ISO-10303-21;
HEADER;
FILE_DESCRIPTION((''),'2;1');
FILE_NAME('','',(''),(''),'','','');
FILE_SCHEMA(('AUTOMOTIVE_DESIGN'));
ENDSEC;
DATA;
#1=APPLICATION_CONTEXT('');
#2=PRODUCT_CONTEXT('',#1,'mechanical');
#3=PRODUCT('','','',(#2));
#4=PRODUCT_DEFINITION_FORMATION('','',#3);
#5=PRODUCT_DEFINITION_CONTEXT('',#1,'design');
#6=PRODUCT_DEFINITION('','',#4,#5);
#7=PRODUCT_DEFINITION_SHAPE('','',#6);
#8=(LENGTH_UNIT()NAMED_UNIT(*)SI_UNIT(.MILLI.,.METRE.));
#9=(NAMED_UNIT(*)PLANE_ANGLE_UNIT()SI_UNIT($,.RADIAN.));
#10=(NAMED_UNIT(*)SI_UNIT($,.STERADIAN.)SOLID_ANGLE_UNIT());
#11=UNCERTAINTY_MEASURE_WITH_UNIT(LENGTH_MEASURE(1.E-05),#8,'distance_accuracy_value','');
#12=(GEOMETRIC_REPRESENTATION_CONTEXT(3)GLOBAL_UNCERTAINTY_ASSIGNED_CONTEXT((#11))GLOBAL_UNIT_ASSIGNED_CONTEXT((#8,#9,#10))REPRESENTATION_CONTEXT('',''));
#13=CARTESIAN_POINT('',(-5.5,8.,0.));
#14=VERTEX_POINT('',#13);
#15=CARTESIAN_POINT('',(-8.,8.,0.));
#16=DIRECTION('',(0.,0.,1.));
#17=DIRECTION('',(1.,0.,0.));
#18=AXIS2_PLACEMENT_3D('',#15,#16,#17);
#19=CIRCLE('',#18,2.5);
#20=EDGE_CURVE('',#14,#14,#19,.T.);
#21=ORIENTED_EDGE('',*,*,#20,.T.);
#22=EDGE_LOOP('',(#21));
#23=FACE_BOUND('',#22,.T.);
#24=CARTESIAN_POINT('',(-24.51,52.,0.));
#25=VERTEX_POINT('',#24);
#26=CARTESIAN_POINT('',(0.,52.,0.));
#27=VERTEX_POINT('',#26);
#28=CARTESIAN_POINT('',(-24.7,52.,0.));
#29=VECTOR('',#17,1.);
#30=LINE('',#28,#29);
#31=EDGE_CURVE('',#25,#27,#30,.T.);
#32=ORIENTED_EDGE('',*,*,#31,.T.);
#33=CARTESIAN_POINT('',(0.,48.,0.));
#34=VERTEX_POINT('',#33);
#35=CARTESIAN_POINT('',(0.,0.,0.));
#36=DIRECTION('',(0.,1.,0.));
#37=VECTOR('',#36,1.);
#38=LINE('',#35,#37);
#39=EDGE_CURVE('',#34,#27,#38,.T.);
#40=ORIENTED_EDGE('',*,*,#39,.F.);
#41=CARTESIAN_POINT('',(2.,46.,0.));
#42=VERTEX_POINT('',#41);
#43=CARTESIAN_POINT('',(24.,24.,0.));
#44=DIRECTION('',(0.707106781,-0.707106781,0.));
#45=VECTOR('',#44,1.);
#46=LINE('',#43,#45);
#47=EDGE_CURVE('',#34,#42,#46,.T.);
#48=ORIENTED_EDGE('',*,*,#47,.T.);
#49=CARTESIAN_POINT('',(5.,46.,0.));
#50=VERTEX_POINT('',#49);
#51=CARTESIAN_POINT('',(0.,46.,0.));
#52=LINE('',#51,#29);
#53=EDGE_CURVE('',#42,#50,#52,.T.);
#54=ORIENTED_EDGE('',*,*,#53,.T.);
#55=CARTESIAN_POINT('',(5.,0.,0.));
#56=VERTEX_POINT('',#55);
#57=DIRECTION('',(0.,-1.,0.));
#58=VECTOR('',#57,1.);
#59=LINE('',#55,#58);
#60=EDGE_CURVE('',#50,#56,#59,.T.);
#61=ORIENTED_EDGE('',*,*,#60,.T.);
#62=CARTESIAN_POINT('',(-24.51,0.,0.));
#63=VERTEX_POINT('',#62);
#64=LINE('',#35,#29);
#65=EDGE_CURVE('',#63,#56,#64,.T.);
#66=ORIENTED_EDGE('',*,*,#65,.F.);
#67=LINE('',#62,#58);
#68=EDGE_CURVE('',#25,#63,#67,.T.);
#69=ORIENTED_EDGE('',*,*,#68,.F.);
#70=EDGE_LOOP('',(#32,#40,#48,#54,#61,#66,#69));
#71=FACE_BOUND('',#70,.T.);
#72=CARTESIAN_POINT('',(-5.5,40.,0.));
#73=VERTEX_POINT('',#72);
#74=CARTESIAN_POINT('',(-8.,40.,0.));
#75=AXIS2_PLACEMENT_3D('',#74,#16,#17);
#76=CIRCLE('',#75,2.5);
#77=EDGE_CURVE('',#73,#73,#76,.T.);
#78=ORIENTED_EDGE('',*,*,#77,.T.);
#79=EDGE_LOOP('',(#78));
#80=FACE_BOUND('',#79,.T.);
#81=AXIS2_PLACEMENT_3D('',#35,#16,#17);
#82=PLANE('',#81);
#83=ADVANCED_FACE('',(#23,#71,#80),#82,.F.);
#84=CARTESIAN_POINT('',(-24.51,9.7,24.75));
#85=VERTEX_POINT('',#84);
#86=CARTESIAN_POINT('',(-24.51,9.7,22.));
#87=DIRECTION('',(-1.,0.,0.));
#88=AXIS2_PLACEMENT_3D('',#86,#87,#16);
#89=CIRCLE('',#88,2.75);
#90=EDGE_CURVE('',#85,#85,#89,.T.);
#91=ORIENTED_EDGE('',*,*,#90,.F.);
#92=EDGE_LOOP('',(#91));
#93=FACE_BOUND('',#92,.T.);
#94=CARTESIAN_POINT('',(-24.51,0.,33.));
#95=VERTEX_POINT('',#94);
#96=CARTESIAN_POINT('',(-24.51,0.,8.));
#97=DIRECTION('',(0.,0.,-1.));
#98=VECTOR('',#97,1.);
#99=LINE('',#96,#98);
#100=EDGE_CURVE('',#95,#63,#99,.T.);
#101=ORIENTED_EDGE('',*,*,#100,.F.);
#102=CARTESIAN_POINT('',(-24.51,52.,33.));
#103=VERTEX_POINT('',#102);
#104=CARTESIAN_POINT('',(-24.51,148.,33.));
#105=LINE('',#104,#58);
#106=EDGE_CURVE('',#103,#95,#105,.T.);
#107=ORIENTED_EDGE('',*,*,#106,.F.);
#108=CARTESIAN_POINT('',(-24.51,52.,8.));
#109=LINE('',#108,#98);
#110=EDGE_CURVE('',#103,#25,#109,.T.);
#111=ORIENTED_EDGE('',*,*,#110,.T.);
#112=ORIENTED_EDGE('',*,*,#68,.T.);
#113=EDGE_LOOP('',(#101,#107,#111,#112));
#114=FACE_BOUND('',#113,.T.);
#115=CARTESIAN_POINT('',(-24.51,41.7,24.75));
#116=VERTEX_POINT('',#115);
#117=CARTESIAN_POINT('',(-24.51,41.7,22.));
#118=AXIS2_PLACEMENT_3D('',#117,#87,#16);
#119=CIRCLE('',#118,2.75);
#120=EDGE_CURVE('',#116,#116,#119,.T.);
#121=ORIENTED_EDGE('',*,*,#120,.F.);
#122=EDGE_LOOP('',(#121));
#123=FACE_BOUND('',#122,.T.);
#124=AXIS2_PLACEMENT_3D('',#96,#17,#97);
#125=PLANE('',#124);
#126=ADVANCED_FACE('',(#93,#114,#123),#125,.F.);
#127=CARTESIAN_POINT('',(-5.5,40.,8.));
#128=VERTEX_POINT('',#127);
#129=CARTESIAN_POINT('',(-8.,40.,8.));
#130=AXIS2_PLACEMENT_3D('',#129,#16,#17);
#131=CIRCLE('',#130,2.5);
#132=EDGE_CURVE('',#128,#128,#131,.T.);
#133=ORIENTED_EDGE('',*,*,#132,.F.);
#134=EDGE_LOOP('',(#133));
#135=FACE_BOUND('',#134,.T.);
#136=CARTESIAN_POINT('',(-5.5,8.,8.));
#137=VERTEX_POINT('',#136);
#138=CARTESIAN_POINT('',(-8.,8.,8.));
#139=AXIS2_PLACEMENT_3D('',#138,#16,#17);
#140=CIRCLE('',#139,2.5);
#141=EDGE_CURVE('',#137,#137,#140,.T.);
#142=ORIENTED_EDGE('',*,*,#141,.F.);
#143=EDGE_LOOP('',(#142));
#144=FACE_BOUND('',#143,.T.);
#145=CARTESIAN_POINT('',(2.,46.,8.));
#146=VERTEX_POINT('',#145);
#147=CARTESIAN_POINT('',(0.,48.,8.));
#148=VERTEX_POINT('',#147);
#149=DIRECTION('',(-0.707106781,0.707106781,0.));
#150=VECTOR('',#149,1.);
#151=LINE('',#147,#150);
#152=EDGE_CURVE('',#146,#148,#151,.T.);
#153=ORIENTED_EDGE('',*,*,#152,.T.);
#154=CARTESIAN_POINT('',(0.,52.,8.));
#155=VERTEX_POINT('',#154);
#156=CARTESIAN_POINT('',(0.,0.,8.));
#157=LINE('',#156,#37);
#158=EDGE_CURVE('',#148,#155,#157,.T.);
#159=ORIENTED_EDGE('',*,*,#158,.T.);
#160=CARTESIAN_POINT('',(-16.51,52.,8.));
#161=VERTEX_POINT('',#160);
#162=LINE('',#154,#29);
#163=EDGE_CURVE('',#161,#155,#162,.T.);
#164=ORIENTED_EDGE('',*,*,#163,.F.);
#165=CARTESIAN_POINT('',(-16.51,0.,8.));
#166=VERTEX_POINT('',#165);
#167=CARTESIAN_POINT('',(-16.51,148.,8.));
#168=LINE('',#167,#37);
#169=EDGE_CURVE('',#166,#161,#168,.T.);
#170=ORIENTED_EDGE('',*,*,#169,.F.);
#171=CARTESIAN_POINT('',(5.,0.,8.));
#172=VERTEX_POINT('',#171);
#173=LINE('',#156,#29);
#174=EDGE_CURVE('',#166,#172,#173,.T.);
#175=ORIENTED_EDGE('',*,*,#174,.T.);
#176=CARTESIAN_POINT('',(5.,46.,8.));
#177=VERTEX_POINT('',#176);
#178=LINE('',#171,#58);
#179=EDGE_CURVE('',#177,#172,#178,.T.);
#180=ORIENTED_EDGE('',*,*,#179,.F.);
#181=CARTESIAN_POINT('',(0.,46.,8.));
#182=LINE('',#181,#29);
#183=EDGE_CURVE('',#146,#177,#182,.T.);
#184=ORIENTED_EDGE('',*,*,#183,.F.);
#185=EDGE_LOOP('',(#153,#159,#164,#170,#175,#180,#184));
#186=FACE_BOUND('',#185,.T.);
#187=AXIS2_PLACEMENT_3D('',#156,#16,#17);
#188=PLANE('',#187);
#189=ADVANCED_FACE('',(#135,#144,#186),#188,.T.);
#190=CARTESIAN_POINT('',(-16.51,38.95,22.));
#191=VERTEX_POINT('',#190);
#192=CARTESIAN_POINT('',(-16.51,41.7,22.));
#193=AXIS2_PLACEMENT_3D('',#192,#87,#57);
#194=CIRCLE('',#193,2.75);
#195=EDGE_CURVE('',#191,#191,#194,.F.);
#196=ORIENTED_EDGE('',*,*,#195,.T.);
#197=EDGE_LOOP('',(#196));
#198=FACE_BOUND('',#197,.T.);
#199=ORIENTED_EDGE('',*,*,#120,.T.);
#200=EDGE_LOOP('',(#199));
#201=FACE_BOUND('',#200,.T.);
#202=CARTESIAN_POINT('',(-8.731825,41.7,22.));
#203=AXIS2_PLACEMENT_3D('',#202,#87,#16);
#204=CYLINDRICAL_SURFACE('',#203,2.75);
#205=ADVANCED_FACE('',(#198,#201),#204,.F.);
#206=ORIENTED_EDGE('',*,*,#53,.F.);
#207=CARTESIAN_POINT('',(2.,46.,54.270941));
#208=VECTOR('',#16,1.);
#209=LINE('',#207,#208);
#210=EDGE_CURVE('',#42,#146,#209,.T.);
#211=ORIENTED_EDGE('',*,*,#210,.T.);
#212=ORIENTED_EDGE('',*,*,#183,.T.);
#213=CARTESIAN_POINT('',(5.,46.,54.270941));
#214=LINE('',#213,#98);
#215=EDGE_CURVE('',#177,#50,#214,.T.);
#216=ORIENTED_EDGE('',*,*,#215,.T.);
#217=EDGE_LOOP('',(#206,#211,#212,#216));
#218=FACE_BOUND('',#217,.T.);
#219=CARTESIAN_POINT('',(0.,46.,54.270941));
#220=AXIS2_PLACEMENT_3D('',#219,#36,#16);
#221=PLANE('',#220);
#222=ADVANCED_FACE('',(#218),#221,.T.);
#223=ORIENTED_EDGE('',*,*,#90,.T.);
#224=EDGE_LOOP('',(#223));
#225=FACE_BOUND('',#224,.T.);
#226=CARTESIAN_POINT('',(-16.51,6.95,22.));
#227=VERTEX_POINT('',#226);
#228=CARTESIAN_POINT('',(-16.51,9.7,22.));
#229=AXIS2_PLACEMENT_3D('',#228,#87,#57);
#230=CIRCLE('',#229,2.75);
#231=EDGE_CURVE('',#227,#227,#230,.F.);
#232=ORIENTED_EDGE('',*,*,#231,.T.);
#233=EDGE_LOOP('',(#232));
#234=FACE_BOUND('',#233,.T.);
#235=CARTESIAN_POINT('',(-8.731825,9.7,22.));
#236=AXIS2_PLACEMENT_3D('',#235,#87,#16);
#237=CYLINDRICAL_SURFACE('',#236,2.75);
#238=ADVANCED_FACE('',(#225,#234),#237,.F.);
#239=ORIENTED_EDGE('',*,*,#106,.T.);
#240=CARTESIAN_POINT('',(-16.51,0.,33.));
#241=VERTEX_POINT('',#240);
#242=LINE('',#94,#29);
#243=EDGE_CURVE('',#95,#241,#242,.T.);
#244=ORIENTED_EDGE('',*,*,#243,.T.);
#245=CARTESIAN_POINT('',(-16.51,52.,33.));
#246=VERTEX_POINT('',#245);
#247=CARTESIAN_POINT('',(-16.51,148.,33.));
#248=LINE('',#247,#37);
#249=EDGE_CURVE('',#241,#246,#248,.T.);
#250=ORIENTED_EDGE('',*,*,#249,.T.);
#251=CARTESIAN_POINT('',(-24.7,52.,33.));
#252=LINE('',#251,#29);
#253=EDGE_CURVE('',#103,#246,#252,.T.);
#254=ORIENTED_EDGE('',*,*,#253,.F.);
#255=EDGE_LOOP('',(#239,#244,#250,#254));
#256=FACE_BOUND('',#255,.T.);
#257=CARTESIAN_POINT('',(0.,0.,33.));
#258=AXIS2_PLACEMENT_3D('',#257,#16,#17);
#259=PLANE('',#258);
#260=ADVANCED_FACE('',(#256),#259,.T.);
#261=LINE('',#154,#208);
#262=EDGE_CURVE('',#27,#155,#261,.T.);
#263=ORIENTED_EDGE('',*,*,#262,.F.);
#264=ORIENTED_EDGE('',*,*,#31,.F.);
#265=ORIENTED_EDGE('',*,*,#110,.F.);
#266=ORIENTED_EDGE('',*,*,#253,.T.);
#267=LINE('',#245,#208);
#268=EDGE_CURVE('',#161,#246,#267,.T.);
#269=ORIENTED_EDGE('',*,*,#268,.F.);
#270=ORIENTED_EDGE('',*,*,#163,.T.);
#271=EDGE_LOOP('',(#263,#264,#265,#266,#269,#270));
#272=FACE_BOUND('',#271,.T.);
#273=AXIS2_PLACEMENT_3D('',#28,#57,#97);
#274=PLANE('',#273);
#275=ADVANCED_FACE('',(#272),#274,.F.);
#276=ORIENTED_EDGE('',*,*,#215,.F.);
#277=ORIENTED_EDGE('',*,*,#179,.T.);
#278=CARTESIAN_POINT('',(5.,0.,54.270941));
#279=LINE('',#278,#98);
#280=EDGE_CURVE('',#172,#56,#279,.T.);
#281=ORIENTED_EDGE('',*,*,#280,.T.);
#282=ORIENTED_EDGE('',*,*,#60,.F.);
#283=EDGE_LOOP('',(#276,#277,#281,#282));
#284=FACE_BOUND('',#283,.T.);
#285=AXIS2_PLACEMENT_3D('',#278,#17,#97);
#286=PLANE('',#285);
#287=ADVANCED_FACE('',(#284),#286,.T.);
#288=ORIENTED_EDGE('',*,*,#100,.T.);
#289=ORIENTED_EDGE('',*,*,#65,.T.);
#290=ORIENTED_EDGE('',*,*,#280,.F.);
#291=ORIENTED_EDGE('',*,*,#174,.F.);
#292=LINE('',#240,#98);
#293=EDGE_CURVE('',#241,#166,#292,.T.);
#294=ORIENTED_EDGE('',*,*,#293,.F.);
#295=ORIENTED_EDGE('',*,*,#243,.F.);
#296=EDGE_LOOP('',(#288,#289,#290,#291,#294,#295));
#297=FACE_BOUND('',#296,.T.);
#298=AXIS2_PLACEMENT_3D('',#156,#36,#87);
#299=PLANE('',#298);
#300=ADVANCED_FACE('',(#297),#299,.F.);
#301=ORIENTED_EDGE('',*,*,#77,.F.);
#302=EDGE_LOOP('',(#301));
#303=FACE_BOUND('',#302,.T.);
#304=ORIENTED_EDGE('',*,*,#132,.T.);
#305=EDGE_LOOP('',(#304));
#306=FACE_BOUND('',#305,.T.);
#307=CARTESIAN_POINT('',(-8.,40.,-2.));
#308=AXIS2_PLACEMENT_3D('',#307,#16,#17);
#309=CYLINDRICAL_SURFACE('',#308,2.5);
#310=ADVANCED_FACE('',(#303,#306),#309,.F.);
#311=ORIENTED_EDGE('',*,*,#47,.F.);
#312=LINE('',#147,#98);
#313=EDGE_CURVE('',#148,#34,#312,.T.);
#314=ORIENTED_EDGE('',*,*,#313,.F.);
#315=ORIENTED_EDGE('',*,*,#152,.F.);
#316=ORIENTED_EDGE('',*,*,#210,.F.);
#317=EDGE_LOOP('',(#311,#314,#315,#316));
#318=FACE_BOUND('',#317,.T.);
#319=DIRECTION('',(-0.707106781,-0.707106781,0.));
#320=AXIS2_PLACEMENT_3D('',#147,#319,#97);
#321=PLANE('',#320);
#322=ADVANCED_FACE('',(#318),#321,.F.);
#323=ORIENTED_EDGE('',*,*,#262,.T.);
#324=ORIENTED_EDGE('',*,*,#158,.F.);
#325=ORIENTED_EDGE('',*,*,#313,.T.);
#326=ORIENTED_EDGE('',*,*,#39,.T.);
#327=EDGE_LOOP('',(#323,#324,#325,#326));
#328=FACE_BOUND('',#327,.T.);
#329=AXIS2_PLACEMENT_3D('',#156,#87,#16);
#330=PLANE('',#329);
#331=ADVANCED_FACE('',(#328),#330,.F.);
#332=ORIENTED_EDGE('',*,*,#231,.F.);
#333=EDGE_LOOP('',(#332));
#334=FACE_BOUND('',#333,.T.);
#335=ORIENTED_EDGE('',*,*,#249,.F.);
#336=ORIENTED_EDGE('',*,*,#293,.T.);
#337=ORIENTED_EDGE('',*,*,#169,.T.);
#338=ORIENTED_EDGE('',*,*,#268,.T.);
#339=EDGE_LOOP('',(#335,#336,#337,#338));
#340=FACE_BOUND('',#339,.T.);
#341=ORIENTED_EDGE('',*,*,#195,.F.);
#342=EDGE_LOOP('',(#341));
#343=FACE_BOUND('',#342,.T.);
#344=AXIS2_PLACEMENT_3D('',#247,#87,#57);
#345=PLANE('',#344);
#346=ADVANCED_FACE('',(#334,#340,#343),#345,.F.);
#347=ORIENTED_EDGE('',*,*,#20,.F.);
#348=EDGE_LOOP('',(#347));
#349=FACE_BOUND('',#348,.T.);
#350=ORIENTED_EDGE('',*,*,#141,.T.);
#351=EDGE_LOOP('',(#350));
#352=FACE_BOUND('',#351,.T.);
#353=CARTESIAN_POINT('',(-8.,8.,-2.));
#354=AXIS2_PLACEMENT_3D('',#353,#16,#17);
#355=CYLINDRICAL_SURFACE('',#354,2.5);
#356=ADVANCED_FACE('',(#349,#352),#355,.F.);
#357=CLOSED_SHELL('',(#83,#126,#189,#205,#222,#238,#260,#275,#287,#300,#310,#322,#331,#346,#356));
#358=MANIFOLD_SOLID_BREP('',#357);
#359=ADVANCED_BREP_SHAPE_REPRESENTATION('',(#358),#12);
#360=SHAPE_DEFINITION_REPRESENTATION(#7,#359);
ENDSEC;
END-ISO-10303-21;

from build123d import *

# Parameters (mm, degrees)
SKETCH1_W               = 24.51
SKETCH1_H               = 148
BOSS_EXTRUDE1_DEPTH     = 8
SKETCH2_W               = 8
SKETCH2_H               = 148
BOSS_EXTRUDE2_DEPTH     = 25
SKETCH4_W               = 20.3
SKETCH4_H               = 36.8
BOSS_EXTRUDE3_DEPTH     = 8
SKETCH5_W               = 23
SKETCH5_H               = 6
BOSS_EXTRUDE4_DEPTH     = 25
CUT_EXTRUDE2_REACH      = 151.752
SKETCH6_R               = 2
RIB1_REACH              = 159.03
SKETCH8_WALL_W          = 336.456302216
SKETCH8_WALL_H          = 3
MIRROR2_COPY_1_REACH    = 159.03
MIRROR2_COPY_1_SKETCH_W = 336.456302216
MIRROR2_COPY_1_SKETCH_H = 3
SKETCH3_R               = 2.5
CUT_EXTRUDE1_DEPTH      = 10
SKETCH12_R              = 2.75
CUT_EXTRUDE3_DEPTH      = 8
SKETCH13_W              = 5
SKETCH13_H              = 46
BOSS_EXTRUDE5_DEPTH     = 8
SKETCH14_W              = 3
SKETCH14_H              = 17
BOSS_EXTRUDE6_DEPTH     = 8
CHAMFER1_SIZE           = 2
CHAMFER2_SIZE           = 6
CHAMFER2_SIZE2          = 4.047051101
SKETCH15_W              = 33
SKETCH15_H              = 96
CUT_EXTRUDE4_DEPTH      = 45


with BuildPart() as part:
    # Sketch1 → Boss-Extrude1 (new body)
    with BuildSketch(Plane.XY):
        with Locations((-12.255, 74)):
            Rectangle(SKETCH1_W, SKETCH1_H)
    extrude(amount=BOSS_EXTRUDE1_DEPTH)

    # Sketch2 → Boss-Extrude2 (add)
    with BuildSketch(Plane.XY.offset(8)):
        with Locations((-20.51, 74)):
            Rectangle(SKETCH2_W, SKETCH2_H)
    extrude(amount=BOSS_EXTRUDE2_DEPTH)

    # Sketch4 → Boss-Extrude3 (add)
    with BuildSketch(Plane(origin=(0, 0, 0), x_dir=(-1, 0, 0), z_dir=(0, 0, -1))):
        with Locations((-10.15, 129.6)):
            Rectangle(SKETCH4_W, SKETCH4_H)
    extrude(amount=-BOSS_EXTRUDE3_DEPTH)

    # Sketch5 → Boss-Extrude4 (add)
    with BuildSketch(Plane.XY.offset(8)):
        with Locations((8.8, 118.2)):
            Rectangle(SKETCH5_W, SKETCH5_H)
        with Locations((8.8, 141)):
            Rectangle(SKETCH5_W, SKETCH5_H)
    extrude(amount=BOSS_EXTRUDE4_DEPTH)

    # Cut-Extrude2: up to this face of the body (flat: up to its plane)
    cut_extrude2_end = Plane(part.part.faces().sort_by_distance((8.8, 115.2, 20.5))[0])
    # Sketch6 → Cut-Extrude2 (cut, up to the picked face)
    with BuildSketch(Plane(origin=(0, 144, 0), x_dir=(1, 0, 0), z_dir=(0, 1, 0)), mode=Mode.PRIVATE) as cut_extrude2_sk1:
        with Locations(Location((6.6, -20.5, 0), (0, 0, 270))):
            Circle(SKETCH6_R)
    cut_extrude2_tool1 = split(extrude(cut_extrude2_sk1.sketch, amount=-CUT_EXTRUDE2_REACH, mode=Mode.PRIVATE), bisect_by=cut_extrude2_end, keep=Keep.BOTH, mode=Mode.PRIVATE)
    add(cut_extrude2_tool1.solids().sort_by(Axis((6.6, 144, 20.5), (0, -1, 0)))[0], mode=Mode.SUBTRACT)

    # Sketch8 wall → Rib1 (add, up to next)
    with BuildSketch(Plane(origin=(16.3, 146, 18), x_dir=(0, -0.196116135138, 0.980580675691), z_dir=(0, -0.980580675691, -0.196116135138)), mode=Mode.PRIVATE) as rib1_sk1:
        Rectangle(SKETCH8_WALL_W, SKETCH8_WALL_H)
    rib1_tool1 = extrude(rib1_sk1.sketch, amount=RIB1_REACH, mode=Mode.PRIVATE) - part.part
    rib1 = rib1_tool1.solids().sort_by_distance((16.3, 146, 18))[0]
    add(rib1)

    # Mirror1: Rib1 across plane
    add(rib1.mirror(Plane.ZX.offset(129.6)))

    # Mirror2: Rib1 across plane
    add(rib1.mirror(Plane.ZY.offset(-7.55)))

    # Mirror2 copy 1 sketch → Mirror2 copy 1 (add, up to next)
    with BuildSketch(Plane(origin=(-1.2, 113.2, 18), x_dir=(0, 0.196116135138, 0.980580675691), z_dir=(0, 0.980580675691, -0.196116135138)), mode=Mode.PRIVATE) as mirror2_copy_1_sk1:
        Rectangle(MIRROR2_COPY_1_SKETCH_W, MIRROR2_COPY_1_SKETCH_H)
    mirror2_copy_1_tool1 = extrude(mirror2_copy_1_sk1.sketch, amount=MIRROR2_COPY_1_REACH, mode=Mode.PRIVATE) - part.part
    add(mirror2_copy_1_tool1.solids().sort_by_distance((-1.2, 113.2, 18))[0])

    # Sketch3 → Cut-Extrude1 (cut)
    with BuildSketch(Plane.XY.offset(8)):
        with Locations((-8, 8)):
            Circle(SKETCH3_R)
        with Locations((-8, 40)):
            Circle(SKETCH3_R)
        with Locations((-8, 100)):
            Circle(SKETCH3_R)
        with Locations((-8, 132)):
            Circle(SKETCH3_R)
    extrude(amount=-CUT_EXTRUDE1_DEPTH, mode=Mode.SUBTRACT)

    # Sketch12 → Cut-Extrude3 (cut)
    with BuildSketch(Plane.ZY.offset(24.51)):
        with Locations((22, 138.8)):
            Circle(SKETCH12_R)
        with Locations((22, 106.8)):
            Circle(SKETCH12_R)
        with Locations((22, 41.7)):
            Circle(SKETCH12_R)
        with Locations((22, 9.7)):
            Circle(SKETCH12_R)
    extrude(amount=-CUT_EXTRUDE3_DEPTH, mode=Mode.SUBTRACT)

    # Sketch13 → Boss-Extrude5 (add)
    with BuildSketch(Plane(origin=(0, 0, 0), x_dir=(-1, 0, 0), z_dir=(0, 0, -1))):
        with Locations((-2.5, 23)):
            Rectangle(SKETCH13_W, SKETCH13_H)
    extrude(amount=-BOSS_EXTRUDE5_DEPTH)

    # Sketch14 → Boss-Extrude6 (add)
    with BuildSketch(Plane(origin=(0, 0, 0), x_dir=(-1, 0, 0), z_dir=(0, 0, -1))):
        with Locations((-1.5, 102.7)):
            Rectangle(SKETCH14_W, SKETCH14_H)
    extrude(amount=-BOSS_EXTRUDE6_DEPTH)

    # Chamfer1
    chamfer1_edges = [part.edges().sort_by_distance(p)[0] for p in [
        (0, 46, 4),
        (3, 111.2, 4),
        (0, 94.2, 4),
    ]]
    chamfer(chamfer1_edges, length=CHAMFER1_SIZE)

    # Chamfer2
    chamfer2_edges = [part.edges().sort_by_distance(p)[0] for p in [
        (8.8, 121.2, 8),
        (8.8, 138, 8),
    ]]
    chamfer2_side = [part.faces().sort_by_distance(p)[0] for p in [
        (-4.974591741, 76.782250606, 8),
    ]]
    chamfer(chamfer2_edges, length=CHAMFER2_SIZE, length2=CHAMFER2_SIZE2, reference=chamfer2_side[0])

    # Sketch15 → Cut-Extrude4 (cut)
    with BuildSketch(Plane(origin=(20.3, 0, 0), x_dir=(0, 0, -1), z_dir=(1, 0, 0))):
        with Locations((-16.5, 100)):
            Rectangle(SKETCH15_W, SKETCH15_H)
    extrude(amount=-CUT_EXTRUDE4_DEPTH, mode=Mode.SUBTRACT)


solid = part.part
